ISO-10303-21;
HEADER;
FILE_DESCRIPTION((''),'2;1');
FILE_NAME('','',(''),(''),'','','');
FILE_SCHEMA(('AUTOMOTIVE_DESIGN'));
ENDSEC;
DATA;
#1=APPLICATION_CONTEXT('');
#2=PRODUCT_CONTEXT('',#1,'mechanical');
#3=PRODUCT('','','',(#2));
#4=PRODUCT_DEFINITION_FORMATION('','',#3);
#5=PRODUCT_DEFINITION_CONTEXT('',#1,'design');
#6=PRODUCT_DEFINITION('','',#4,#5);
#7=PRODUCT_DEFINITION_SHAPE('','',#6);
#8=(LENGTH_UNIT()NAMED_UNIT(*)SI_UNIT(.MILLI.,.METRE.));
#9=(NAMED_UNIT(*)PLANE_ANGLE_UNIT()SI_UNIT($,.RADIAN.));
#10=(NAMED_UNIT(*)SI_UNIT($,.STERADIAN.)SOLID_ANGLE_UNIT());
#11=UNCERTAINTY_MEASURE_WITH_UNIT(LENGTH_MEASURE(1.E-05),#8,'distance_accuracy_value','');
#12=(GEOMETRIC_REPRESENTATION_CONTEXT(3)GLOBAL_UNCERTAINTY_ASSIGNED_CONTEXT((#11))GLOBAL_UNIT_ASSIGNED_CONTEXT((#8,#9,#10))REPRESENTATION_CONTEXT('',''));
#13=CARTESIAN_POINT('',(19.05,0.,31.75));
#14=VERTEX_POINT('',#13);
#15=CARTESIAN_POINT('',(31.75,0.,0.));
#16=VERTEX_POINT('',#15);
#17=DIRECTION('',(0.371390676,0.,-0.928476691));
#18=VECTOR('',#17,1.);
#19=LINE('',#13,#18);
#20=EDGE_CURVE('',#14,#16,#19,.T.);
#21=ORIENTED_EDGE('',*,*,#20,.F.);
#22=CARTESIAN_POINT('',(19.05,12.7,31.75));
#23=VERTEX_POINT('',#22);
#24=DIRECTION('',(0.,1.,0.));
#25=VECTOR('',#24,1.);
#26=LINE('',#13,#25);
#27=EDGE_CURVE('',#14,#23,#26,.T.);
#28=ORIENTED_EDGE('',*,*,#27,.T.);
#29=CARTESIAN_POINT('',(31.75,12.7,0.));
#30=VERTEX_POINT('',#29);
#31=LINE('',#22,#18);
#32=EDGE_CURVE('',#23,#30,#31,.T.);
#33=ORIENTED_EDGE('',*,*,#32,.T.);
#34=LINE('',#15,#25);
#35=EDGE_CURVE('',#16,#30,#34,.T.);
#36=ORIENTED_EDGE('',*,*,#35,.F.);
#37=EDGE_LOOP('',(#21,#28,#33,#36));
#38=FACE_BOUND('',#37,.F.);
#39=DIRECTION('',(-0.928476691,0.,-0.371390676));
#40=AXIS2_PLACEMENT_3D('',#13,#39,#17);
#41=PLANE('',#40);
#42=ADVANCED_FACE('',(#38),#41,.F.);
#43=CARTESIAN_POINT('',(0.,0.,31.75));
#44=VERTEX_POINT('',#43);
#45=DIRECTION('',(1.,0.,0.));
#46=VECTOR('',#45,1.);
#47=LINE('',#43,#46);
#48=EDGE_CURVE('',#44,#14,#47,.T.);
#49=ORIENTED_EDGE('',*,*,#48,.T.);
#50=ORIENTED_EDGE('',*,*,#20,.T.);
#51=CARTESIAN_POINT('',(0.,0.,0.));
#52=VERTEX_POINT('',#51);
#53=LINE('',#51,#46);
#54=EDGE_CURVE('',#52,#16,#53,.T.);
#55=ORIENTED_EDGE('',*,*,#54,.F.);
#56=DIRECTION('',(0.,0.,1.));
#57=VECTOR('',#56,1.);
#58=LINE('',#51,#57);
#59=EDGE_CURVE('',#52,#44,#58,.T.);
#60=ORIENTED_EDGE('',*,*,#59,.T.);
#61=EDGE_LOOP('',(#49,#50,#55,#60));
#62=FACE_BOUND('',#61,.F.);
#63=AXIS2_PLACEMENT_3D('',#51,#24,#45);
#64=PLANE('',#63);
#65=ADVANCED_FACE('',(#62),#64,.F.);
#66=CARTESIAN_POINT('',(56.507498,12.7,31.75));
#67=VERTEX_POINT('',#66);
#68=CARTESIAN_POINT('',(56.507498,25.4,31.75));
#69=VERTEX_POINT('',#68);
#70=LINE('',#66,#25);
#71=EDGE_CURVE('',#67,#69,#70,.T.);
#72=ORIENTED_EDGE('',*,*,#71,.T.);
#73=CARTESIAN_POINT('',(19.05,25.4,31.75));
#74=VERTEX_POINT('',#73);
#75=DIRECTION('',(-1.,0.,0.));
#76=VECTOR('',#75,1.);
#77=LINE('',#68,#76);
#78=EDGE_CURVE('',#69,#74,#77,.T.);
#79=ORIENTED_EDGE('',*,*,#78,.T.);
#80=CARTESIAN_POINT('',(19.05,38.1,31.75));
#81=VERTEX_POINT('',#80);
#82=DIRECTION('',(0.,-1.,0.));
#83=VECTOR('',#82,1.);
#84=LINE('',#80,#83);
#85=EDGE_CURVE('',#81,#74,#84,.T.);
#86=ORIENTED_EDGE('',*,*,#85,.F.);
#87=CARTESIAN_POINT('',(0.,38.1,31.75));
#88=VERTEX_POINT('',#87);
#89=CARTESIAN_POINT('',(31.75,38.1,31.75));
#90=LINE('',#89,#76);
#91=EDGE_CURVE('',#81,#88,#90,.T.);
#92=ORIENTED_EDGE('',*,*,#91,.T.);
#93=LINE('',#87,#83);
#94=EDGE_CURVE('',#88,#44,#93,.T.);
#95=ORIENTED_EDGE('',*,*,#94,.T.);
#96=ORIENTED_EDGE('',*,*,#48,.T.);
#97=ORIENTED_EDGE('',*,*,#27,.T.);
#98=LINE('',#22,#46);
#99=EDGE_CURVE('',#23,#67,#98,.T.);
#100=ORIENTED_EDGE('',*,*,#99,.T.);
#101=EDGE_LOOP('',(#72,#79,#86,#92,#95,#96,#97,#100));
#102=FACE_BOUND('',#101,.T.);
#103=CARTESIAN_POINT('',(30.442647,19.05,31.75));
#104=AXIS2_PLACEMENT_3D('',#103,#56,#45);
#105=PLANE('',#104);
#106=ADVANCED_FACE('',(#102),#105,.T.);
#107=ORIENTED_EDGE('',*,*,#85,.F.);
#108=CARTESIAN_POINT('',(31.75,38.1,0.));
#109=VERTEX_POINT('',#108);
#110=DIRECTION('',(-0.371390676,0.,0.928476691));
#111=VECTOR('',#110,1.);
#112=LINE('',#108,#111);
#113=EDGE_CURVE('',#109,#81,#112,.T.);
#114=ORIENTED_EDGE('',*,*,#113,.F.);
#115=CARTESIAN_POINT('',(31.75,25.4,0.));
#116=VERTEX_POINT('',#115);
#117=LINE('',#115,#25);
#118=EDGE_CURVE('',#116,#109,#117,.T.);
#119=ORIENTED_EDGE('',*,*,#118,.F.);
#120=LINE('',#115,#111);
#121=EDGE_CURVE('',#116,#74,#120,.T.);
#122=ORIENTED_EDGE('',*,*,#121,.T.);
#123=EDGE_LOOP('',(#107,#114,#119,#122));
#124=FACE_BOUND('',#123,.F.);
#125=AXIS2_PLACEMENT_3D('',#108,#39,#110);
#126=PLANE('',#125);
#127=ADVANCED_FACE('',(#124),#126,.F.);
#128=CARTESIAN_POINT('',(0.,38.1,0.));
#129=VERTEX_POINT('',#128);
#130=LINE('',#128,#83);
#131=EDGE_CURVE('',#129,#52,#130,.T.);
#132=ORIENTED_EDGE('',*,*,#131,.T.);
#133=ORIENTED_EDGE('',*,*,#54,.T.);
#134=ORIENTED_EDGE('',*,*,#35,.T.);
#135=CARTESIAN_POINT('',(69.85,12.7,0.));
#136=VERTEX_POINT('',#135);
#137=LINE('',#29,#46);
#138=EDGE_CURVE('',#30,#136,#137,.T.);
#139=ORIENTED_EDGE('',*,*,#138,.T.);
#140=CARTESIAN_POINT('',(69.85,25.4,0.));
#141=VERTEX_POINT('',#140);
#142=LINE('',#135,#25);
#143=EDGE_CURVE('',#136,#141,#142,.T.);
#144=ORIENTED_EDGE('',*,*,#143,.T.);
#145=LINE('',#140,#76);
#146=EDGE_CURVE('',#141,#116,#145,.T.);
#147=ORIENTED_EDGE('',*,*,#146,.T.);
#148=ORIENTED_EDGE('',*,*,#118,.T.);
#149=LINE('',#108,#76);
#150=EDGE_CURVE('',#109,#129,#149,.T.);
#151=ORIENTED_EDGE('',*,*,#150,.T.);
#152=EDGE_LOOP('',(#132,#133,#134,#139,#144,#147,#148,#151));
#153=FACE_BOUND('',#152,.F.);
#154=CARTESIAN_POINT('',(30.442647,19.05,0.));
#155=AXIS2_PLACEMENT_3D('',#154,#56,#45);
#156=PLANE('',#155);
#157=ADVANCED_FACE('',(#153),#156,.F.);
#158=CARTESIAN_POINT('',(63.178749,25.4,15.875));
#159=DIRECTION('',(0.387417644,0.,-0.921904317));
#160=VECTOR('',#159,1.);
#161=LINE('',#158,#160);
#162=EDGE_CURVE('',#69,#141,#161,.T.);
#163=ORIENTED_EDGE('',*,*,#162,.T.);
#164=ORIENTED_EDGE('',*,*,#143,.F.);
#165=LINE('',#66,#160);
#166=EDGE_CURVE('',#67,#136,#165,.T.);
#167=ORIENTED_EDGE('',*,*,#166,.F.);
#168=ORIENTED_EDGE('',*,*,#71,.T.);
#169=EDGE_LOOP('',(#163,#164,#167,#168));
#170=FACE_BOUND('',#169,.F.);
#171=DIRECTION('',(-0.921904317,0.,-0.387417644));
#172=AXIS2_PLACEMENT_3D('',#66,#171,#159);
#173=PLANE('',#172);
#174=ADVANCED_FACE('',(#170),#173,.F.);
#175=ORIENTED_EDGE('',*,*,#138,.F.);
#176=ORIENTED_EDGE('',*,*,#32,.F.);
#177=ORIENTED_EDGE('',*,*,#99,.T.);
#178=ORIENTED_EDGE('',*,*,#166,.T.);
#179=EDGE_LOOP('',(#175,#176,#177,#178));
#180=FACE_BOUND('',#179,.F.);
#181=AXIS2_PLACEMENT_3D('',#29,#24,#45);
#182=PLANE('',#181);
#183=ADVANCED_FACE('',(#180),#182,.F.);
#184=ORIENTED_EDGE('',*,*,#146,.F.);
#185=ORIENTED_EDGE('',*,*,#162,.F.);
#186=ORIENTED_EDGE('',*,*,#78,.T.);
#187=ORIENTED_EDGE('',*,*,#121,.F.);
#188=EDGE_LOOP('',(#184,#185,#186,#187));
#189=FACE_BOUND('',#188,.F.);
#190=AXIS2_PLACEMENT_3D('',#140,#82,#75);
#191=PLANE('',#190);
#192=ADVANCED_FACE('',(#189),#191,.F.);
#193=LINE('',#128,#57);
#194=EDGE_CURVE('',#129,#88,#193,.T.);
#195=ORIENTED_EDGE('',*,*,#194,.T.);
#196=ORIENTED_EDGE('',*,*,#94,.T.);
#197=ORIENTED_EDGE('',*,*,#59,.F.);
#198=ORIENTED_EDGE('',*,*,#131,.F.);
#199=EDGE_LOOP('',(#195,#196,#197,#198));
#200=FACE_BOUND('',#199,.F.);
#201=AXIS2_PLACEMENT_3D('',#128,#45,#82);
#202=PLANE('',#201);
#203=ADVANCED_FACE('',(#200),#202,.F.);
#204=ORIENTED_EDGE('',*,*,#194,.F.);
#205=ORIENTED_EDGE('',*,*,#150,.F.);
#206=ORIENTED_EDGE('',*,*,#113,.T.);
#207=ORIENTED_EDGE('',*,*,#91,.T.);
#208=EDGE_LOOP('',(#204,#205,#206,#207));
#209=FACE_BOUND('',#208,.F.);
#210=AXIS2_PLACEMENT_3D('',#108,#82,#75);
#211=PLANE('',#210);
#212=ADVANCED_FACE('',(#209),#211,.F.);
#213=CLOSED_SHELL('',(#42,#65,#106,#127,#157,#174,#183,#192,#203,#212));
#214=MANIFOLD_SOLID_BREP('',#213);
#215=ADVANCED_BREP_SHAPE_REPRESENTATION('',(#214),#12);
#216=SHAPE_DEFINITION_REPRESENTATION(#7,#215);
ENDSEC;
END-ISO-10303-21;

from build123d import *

# Parameters (mm, degrees)
F1_DEPTH = 31.75
F3_DEPTH = 25.4
F5_DEPTH = 12.7
F7_DEPTH = 12.7


with BuildPart() as f1:
    # F0 (on Top) → F1 (new body)
    with BuildSketch(Plane.XY):
        Polygon((0, 38.1), (0, 0), (31.75, 0), (31.75, 12.7), (69.85, 12.7), (69.85, 25.4), (31.75, 25.4), (31.75, 38.1), align=None)
    extrude(amount=F1_DEPTH)

    # F2 (on face) → F3 (cut)
    with BuildSketch(Plane.XZ.offset(-12.7)):
        Polygon((69.85, 31.75), (56.507498, 31.75), (69.85, 0), align=None)
    extrude(amount=-F3_DEPTH, mode=Mode.SUBTRACT)

    # F4 (on face) → F5 (cut)
    with BuildSketch(Plane.XZ):
        Polygon((31.75, 31.75), (19.05, 31.75), (31.75, 0), align=None)
    extrude(amount=-F5_DEPTH, mode=Mode.SUBTRACT)

    # F6 (on face) → F7 (cut)
    with BuildSketch(Plane(origin=(0, 38.1, 0), x_dir=(-1, 0, 0), z_dir=(0, 1, 0))):
        Polygon((-31.75, 31.75), (-31.75, 0), (-19.05, 31.75), align=None)
    extrude(amount=-F7_DEPTH, mode=Mode.SUBTRACT)


solid = f1.part
